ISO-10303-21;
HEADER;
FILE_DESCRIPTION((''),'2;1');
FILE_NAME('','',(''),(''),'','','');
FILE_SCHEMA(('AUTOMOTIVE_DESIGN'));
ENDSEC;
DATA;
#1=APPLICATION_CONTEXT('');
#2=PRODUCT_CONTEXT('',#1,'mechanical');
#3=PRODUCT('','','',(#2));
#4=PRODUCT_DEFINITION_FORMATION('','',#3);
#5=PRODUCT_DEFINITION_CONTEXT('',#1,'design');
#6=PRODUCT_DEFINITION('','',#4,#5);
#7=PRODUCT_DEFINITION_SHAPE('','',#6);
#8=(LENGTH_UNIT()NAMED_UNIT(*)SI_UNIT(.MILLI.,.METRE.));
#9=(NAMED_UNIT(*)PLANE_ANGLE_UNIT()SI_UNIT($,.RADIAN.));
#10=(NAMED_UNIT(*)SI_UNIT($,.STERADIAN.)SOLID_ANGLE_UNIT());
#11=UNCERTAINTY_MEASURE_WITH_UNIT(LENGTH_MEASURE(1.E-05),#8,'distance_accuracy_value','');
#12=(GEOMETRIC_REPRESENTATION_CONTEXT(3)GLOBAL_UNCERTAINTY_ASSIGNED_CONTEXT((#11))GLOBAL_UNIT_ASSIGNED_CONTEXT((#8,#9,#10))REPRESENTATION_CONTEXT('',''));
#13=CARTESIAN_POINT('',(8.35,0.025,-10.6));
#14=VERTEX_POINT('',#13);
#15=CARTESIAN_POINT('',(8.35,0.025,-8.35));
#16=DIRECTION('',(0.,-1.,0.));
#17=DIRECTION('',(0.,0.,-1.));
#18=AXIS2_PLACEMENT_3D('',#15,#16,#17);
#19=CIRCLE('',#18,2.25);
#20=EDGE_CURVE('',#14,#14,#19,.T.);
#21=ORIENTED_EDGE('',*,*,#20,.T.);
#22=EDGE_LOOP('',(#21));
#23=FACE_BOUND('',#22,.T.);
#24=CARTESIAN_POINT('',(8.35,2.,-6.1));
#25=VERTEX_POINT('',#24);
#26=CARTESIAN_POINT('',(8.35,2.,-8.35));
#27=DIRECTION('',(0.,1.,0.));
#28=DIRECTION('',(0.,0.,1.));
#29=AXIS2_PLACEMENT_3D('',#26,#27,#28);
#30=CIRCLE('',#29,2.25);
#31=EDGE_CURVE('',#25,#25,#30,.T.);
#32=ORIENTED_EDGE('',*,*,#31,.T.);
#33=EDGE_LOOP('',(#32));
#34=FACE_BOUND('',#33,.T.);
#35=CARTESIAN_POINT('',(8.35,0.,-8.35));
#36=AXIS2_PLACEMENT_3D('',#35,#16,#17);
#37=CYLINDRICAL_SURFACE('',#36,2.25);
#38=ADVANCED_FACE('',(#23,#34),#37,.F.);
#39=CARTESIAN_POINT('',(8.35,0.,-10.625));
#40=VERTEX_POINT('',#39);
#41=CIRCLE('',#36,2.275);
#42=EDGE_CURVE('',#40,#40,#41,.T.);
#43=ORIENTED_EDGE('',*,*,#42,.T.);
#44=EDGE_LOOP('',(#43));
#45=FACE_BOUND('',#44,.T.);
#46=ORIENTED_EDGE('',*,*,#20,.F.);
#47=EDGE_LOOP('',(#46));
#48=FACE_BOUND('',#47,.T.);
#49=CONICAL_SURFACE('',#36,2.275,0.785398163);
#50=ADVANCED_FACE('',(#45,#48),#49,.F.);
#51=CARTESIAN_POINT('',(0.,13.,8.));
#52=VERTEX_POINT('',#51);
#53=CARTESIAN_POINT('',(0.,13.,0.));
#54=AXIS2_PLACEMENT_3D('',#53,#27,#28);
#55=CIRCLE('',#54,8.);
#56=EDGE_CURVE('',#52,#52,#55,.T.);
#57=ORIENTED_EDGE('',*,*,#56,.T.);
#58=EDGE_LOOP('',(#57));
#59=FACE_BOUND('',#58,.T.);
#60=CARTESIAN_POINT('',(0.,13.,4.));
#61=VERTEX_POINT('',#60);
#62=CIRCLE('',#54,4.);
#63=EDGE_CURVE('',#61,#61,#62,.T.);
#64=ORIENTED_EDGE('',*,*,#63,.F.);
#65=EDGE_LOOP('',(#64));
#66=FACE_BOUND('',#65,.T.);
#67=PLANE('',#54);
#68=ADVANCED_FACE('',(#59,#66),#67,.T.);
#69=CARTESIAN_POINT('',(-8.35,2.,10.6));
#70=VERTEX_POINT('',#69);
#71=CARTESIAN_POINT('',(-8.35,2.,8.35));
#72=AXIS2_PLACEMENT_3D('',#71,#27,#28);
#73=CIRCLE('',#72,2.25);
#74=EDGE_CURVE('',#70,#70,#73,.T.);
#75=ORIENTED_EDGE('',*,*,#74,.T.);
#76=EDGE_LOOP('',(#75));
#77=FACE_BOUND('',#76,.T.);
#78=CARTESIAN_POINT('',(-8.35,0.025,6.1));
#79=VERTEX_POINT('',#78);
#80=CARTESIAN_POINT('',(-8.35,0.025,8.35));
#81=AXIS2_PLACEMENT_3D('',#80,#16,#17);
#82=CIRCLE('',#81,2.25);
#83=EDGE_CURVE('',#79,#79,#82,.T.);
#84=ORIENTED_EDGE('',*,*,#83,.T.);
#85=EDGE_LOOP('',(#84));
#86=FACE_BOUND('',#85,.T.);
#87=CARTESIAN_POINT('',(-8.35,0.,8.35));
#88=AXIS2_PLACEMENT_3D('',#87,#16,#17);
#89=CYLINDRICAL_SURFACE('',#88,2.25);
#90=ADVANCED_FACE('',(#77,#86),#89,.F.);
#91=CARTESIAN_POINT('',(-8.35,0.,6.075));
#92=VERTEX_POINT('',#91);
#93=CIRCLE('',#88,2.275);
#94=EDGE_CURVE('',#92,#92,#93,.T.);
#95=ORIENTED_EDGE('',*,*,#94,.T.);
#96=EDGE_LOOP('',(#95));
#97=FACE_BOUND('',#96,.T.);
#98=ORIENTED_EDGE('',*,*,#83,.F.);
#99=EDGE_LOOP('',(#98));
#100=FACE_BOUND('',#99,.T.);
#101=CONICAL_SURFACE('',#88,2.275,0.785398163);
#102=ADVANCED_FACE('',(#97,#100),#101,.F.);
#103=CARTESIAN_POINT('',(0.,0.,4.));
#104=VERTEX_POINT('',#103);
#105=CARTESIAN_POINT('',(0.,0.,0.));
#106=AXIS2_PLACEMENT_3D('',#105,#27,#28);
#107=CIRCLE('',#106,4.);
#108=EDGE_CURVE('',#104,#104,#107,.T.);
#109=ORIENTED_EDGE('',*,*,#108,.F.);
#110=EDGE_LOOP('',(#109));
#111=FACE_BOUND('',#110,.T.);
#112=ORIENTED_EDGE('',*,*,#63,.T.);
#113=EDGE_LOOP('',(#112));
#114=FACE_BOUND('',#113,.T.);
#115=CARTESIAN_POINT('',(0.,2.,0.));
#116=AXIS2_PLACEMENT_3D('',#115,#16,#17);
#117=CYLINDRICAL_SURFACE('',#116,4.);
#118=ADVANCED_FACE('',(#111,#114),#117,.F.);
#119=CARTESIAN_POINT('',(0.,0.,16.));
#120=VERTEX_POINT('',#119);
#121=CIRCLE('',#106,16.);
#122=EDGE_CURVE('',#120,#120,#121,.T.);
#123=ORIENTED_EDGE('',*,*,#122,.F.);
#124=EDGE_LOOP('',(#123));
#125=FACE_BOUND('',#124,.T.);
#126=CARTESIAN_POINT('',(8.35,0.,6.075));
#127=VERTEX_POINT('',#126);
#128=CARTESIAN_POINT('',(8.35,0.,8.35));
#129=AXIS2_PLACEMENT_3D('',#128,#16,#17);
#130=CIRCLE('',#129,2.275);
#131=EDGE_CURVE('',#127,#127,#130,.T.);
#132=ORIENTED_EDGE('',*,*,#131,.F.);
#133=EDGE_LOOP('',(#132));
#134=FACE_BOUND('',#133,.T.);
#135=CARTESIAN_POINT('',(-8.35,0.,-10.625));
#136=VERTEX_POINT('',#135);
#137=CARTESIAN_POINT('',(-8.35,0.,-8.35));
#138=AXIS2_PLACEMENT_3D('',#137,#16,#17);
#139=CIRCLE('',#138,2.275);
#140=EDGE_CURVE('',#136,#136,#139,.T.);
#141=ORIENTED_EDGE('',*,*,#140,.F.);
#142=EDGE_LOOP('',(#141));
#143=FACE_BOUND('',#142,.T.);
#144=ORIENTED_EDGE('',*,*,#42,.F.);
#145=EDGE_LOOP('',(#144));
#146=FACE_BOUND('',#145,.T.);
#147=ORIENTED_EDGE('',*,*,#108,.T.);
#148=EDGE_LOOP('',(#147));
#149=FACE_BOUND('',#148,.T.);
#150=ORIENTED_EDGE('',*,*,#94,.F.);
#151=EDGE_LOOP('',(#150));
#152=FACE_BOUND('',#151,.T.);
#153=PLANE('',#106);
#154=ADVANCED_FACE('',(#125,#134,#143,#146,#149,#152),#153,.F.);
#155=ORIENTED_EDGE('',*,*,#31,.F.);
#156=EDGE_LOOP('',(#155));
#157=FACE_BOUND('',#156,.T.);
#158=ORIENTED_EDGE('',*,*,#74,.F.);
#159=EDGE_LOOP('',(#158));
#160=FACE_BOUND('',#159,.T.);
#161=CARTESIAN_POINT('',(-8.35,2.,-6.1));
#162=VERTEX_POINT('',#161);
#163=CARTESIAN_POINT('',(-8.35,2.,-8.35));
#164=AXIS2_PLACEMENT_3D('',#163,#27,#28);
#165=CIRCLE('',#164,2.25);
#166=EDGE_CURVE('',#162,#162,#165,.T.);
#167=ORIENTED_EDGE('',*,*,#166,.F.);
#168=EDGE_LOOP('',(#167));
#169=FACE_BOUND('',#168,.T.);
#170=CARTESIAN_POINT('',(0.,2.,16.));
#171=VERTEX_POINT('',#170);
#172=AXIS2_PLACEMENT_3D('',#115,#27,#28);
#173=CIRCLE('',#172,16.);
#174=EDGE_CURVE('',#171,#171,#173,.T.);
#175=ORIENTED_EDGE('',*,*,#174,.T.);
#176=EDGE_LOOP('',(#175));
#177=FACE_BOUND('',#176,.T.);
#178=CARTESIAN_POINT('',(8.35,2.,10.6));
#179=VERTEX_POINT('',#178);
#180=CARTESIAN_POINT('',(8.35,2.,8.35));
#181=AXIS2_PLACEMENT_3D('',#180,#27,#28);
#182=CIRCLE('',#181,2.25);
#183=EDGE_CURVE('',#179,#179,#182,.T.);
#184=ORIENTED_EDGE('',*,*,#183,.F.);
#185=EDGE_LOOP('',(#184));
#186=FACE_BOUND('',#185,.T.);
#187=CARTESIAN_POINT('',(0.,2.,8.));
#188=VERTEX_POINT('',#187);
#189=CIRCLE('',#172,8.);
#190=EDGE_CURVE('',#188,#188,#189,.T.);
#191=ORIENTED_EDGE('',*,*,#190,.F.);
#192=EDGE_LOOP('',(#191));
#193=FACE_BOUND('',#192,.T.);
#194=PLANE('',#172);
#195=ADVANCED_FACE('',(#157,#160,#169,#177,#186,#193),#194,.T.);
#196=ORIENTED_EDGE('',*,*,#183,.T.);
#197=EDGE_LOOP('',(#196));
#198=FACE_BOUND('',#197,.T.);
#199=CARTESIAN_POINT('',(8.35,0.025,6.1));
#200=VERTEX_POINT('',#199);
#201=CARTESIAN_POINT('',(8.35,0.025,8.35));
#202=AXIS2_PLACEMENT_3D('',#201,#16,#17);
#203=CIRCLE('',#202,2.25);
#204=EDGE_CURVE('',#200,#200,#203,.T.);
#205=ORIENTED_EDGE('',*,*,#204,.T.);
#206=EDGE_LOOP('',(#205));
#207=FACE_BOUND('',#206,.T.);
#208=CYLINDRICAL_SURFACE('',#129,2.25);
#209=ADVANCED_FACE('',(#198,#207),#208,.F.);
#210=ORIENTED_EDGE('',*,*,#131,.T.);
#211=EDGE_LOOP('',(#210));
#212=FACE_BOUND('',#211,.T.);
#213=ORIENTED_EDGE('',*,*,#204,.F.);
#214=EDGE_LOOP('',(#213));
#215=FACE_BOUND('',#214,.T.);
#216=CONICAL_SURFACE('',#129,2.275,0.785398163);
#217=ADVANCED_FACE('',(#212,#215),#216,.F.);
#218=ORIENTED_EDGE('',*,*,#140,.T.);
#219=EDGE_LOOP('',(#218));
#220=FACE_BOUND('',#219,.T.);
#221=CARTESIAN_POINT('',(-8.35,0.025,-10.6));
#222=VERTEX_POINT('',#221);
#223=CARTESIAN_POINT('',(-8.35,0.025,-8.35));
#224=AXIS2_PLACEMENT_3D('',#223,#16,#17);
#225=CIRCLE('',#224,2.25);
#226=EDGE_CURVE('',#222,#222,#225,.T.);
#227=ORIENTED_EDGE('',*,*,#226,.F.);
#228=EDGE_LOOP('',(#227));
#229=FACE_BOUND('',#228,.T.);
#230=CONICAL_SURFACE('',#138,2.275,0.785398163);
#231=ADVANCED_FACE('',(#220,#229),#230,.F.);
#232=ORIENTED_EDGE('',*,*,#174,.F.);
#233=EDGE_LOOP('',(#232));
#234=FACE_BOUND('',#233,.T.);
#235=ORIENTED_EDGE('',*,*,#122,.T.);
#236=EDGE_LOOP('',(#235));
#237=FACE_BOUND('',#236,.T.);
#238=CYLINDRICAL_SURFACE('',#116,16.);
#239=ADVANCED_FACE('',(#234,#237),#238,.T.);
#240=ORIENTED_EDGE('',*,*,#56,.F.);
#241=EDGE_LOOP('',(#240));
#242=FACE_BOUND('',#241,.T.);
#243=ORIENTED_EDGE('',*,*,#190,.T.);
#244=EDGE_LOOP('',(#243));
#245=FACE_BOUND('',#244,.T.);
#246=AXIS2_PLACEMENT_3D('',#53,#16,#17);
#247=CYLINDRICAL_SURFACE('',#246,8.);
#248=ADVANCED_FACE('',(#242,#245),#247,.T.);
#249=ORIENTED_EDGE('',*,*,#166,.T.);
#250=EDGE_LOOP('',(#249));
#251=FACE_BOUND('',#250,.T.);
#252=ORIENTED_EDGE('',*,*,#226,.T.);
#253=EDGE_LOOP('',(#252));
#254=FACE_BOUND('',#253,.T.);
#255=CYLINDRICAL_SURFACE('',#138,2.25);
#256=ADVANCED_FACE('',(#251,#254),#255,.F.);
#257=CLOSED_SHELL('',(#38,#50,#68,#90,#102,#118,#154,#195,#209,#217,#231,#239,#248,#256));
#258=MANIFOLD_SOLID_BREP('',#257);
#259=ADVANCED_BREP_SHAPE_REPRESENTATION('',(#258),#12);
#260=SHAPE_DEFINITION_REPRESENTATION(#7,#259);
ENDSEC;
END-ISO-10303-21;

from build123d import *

# Parameters (mm, degrees)
SKETCH1_R                      = 16
SKETCH1_R_2                    = 4
BOSS_EXTRUDE1_DEPTH            = 2
SKETCH2_R                      = 8
SKETCH2_R_2                    = 4
BOSS_EXTRUDE2_DEPTH            = 11
M4_CLEARANCE_HOLE1_D           = 4.5
M4_CLEARANCE_HOLE1_DEPTH       = 13
M4_CLEARANCE_HOLE1_CSINK_D     = 4.55
M4_CLEARANCE_HOLE1_CSINK_ANGLE = 90
M4_CLEARANCE_HOLE1_TIP         = 1.351936393


with BuildPart() as part:
    # Sketch1 → Boss-Extrude1 (new body)
    with BuildSketch(Plane(origin=(0, 0, 0), x_dir=(1, 0, 0), z_dir=(0, 1, 0))):
        Circle(SKETCH1_R)
        Circle(SKETCH1_R_2, mode=Mode.SUBTRACT)
    extrude(amount=BOSS_EXTRUDE1_DEPTH)

    # Sketch2 → Boss-Extrude2 (add)
    with BuildSketch(Plane(origin=(0, 2, 0), x_dir=(1, 0, 0), z_dir=(0, 1, 0))):
        Circle(SKETCH2_R)
        Circle(SKETCH2_R_2, mode=Mode.SUBTRACT)
    extrude(amount=BOSS_EXTRUDE2_DEPTH)

    # M4 Clearance Hole1
    with Locations(Plane(origin=(0, 0, 0), x_dir=(-1, 0, 0), z_dir=(0, -1, 0))):
        with Locations((-8.35, 8.35), (8.35, 8.35), (8.35, -8.35), (-8.35, -8.35)):
            CounterSinkHole(M4_CLEARANCE_HOLE1_D / 2, M4_CLEARANCE_HOLE1_CSINK_D / 2, depth=M4_CLEARANCE_HOLE1_DEPTH, counter_sink_angle=M4_CLEARANCE_HOLE1_CSINK_ANGLE)
            with Locations((0, 0, -(M4_CLEARANCE_HOLE1_DEPTH + M4_CLEARANCE_HOLE1_TIP / 2))):  # 118° drill point
                Cone(0, M4_CLEARANCE_HOLE1_D / 2, M4_CLEARANCE_HOLE1_TIP, mode=Mode.SUBTRACT)


solid = part.part
